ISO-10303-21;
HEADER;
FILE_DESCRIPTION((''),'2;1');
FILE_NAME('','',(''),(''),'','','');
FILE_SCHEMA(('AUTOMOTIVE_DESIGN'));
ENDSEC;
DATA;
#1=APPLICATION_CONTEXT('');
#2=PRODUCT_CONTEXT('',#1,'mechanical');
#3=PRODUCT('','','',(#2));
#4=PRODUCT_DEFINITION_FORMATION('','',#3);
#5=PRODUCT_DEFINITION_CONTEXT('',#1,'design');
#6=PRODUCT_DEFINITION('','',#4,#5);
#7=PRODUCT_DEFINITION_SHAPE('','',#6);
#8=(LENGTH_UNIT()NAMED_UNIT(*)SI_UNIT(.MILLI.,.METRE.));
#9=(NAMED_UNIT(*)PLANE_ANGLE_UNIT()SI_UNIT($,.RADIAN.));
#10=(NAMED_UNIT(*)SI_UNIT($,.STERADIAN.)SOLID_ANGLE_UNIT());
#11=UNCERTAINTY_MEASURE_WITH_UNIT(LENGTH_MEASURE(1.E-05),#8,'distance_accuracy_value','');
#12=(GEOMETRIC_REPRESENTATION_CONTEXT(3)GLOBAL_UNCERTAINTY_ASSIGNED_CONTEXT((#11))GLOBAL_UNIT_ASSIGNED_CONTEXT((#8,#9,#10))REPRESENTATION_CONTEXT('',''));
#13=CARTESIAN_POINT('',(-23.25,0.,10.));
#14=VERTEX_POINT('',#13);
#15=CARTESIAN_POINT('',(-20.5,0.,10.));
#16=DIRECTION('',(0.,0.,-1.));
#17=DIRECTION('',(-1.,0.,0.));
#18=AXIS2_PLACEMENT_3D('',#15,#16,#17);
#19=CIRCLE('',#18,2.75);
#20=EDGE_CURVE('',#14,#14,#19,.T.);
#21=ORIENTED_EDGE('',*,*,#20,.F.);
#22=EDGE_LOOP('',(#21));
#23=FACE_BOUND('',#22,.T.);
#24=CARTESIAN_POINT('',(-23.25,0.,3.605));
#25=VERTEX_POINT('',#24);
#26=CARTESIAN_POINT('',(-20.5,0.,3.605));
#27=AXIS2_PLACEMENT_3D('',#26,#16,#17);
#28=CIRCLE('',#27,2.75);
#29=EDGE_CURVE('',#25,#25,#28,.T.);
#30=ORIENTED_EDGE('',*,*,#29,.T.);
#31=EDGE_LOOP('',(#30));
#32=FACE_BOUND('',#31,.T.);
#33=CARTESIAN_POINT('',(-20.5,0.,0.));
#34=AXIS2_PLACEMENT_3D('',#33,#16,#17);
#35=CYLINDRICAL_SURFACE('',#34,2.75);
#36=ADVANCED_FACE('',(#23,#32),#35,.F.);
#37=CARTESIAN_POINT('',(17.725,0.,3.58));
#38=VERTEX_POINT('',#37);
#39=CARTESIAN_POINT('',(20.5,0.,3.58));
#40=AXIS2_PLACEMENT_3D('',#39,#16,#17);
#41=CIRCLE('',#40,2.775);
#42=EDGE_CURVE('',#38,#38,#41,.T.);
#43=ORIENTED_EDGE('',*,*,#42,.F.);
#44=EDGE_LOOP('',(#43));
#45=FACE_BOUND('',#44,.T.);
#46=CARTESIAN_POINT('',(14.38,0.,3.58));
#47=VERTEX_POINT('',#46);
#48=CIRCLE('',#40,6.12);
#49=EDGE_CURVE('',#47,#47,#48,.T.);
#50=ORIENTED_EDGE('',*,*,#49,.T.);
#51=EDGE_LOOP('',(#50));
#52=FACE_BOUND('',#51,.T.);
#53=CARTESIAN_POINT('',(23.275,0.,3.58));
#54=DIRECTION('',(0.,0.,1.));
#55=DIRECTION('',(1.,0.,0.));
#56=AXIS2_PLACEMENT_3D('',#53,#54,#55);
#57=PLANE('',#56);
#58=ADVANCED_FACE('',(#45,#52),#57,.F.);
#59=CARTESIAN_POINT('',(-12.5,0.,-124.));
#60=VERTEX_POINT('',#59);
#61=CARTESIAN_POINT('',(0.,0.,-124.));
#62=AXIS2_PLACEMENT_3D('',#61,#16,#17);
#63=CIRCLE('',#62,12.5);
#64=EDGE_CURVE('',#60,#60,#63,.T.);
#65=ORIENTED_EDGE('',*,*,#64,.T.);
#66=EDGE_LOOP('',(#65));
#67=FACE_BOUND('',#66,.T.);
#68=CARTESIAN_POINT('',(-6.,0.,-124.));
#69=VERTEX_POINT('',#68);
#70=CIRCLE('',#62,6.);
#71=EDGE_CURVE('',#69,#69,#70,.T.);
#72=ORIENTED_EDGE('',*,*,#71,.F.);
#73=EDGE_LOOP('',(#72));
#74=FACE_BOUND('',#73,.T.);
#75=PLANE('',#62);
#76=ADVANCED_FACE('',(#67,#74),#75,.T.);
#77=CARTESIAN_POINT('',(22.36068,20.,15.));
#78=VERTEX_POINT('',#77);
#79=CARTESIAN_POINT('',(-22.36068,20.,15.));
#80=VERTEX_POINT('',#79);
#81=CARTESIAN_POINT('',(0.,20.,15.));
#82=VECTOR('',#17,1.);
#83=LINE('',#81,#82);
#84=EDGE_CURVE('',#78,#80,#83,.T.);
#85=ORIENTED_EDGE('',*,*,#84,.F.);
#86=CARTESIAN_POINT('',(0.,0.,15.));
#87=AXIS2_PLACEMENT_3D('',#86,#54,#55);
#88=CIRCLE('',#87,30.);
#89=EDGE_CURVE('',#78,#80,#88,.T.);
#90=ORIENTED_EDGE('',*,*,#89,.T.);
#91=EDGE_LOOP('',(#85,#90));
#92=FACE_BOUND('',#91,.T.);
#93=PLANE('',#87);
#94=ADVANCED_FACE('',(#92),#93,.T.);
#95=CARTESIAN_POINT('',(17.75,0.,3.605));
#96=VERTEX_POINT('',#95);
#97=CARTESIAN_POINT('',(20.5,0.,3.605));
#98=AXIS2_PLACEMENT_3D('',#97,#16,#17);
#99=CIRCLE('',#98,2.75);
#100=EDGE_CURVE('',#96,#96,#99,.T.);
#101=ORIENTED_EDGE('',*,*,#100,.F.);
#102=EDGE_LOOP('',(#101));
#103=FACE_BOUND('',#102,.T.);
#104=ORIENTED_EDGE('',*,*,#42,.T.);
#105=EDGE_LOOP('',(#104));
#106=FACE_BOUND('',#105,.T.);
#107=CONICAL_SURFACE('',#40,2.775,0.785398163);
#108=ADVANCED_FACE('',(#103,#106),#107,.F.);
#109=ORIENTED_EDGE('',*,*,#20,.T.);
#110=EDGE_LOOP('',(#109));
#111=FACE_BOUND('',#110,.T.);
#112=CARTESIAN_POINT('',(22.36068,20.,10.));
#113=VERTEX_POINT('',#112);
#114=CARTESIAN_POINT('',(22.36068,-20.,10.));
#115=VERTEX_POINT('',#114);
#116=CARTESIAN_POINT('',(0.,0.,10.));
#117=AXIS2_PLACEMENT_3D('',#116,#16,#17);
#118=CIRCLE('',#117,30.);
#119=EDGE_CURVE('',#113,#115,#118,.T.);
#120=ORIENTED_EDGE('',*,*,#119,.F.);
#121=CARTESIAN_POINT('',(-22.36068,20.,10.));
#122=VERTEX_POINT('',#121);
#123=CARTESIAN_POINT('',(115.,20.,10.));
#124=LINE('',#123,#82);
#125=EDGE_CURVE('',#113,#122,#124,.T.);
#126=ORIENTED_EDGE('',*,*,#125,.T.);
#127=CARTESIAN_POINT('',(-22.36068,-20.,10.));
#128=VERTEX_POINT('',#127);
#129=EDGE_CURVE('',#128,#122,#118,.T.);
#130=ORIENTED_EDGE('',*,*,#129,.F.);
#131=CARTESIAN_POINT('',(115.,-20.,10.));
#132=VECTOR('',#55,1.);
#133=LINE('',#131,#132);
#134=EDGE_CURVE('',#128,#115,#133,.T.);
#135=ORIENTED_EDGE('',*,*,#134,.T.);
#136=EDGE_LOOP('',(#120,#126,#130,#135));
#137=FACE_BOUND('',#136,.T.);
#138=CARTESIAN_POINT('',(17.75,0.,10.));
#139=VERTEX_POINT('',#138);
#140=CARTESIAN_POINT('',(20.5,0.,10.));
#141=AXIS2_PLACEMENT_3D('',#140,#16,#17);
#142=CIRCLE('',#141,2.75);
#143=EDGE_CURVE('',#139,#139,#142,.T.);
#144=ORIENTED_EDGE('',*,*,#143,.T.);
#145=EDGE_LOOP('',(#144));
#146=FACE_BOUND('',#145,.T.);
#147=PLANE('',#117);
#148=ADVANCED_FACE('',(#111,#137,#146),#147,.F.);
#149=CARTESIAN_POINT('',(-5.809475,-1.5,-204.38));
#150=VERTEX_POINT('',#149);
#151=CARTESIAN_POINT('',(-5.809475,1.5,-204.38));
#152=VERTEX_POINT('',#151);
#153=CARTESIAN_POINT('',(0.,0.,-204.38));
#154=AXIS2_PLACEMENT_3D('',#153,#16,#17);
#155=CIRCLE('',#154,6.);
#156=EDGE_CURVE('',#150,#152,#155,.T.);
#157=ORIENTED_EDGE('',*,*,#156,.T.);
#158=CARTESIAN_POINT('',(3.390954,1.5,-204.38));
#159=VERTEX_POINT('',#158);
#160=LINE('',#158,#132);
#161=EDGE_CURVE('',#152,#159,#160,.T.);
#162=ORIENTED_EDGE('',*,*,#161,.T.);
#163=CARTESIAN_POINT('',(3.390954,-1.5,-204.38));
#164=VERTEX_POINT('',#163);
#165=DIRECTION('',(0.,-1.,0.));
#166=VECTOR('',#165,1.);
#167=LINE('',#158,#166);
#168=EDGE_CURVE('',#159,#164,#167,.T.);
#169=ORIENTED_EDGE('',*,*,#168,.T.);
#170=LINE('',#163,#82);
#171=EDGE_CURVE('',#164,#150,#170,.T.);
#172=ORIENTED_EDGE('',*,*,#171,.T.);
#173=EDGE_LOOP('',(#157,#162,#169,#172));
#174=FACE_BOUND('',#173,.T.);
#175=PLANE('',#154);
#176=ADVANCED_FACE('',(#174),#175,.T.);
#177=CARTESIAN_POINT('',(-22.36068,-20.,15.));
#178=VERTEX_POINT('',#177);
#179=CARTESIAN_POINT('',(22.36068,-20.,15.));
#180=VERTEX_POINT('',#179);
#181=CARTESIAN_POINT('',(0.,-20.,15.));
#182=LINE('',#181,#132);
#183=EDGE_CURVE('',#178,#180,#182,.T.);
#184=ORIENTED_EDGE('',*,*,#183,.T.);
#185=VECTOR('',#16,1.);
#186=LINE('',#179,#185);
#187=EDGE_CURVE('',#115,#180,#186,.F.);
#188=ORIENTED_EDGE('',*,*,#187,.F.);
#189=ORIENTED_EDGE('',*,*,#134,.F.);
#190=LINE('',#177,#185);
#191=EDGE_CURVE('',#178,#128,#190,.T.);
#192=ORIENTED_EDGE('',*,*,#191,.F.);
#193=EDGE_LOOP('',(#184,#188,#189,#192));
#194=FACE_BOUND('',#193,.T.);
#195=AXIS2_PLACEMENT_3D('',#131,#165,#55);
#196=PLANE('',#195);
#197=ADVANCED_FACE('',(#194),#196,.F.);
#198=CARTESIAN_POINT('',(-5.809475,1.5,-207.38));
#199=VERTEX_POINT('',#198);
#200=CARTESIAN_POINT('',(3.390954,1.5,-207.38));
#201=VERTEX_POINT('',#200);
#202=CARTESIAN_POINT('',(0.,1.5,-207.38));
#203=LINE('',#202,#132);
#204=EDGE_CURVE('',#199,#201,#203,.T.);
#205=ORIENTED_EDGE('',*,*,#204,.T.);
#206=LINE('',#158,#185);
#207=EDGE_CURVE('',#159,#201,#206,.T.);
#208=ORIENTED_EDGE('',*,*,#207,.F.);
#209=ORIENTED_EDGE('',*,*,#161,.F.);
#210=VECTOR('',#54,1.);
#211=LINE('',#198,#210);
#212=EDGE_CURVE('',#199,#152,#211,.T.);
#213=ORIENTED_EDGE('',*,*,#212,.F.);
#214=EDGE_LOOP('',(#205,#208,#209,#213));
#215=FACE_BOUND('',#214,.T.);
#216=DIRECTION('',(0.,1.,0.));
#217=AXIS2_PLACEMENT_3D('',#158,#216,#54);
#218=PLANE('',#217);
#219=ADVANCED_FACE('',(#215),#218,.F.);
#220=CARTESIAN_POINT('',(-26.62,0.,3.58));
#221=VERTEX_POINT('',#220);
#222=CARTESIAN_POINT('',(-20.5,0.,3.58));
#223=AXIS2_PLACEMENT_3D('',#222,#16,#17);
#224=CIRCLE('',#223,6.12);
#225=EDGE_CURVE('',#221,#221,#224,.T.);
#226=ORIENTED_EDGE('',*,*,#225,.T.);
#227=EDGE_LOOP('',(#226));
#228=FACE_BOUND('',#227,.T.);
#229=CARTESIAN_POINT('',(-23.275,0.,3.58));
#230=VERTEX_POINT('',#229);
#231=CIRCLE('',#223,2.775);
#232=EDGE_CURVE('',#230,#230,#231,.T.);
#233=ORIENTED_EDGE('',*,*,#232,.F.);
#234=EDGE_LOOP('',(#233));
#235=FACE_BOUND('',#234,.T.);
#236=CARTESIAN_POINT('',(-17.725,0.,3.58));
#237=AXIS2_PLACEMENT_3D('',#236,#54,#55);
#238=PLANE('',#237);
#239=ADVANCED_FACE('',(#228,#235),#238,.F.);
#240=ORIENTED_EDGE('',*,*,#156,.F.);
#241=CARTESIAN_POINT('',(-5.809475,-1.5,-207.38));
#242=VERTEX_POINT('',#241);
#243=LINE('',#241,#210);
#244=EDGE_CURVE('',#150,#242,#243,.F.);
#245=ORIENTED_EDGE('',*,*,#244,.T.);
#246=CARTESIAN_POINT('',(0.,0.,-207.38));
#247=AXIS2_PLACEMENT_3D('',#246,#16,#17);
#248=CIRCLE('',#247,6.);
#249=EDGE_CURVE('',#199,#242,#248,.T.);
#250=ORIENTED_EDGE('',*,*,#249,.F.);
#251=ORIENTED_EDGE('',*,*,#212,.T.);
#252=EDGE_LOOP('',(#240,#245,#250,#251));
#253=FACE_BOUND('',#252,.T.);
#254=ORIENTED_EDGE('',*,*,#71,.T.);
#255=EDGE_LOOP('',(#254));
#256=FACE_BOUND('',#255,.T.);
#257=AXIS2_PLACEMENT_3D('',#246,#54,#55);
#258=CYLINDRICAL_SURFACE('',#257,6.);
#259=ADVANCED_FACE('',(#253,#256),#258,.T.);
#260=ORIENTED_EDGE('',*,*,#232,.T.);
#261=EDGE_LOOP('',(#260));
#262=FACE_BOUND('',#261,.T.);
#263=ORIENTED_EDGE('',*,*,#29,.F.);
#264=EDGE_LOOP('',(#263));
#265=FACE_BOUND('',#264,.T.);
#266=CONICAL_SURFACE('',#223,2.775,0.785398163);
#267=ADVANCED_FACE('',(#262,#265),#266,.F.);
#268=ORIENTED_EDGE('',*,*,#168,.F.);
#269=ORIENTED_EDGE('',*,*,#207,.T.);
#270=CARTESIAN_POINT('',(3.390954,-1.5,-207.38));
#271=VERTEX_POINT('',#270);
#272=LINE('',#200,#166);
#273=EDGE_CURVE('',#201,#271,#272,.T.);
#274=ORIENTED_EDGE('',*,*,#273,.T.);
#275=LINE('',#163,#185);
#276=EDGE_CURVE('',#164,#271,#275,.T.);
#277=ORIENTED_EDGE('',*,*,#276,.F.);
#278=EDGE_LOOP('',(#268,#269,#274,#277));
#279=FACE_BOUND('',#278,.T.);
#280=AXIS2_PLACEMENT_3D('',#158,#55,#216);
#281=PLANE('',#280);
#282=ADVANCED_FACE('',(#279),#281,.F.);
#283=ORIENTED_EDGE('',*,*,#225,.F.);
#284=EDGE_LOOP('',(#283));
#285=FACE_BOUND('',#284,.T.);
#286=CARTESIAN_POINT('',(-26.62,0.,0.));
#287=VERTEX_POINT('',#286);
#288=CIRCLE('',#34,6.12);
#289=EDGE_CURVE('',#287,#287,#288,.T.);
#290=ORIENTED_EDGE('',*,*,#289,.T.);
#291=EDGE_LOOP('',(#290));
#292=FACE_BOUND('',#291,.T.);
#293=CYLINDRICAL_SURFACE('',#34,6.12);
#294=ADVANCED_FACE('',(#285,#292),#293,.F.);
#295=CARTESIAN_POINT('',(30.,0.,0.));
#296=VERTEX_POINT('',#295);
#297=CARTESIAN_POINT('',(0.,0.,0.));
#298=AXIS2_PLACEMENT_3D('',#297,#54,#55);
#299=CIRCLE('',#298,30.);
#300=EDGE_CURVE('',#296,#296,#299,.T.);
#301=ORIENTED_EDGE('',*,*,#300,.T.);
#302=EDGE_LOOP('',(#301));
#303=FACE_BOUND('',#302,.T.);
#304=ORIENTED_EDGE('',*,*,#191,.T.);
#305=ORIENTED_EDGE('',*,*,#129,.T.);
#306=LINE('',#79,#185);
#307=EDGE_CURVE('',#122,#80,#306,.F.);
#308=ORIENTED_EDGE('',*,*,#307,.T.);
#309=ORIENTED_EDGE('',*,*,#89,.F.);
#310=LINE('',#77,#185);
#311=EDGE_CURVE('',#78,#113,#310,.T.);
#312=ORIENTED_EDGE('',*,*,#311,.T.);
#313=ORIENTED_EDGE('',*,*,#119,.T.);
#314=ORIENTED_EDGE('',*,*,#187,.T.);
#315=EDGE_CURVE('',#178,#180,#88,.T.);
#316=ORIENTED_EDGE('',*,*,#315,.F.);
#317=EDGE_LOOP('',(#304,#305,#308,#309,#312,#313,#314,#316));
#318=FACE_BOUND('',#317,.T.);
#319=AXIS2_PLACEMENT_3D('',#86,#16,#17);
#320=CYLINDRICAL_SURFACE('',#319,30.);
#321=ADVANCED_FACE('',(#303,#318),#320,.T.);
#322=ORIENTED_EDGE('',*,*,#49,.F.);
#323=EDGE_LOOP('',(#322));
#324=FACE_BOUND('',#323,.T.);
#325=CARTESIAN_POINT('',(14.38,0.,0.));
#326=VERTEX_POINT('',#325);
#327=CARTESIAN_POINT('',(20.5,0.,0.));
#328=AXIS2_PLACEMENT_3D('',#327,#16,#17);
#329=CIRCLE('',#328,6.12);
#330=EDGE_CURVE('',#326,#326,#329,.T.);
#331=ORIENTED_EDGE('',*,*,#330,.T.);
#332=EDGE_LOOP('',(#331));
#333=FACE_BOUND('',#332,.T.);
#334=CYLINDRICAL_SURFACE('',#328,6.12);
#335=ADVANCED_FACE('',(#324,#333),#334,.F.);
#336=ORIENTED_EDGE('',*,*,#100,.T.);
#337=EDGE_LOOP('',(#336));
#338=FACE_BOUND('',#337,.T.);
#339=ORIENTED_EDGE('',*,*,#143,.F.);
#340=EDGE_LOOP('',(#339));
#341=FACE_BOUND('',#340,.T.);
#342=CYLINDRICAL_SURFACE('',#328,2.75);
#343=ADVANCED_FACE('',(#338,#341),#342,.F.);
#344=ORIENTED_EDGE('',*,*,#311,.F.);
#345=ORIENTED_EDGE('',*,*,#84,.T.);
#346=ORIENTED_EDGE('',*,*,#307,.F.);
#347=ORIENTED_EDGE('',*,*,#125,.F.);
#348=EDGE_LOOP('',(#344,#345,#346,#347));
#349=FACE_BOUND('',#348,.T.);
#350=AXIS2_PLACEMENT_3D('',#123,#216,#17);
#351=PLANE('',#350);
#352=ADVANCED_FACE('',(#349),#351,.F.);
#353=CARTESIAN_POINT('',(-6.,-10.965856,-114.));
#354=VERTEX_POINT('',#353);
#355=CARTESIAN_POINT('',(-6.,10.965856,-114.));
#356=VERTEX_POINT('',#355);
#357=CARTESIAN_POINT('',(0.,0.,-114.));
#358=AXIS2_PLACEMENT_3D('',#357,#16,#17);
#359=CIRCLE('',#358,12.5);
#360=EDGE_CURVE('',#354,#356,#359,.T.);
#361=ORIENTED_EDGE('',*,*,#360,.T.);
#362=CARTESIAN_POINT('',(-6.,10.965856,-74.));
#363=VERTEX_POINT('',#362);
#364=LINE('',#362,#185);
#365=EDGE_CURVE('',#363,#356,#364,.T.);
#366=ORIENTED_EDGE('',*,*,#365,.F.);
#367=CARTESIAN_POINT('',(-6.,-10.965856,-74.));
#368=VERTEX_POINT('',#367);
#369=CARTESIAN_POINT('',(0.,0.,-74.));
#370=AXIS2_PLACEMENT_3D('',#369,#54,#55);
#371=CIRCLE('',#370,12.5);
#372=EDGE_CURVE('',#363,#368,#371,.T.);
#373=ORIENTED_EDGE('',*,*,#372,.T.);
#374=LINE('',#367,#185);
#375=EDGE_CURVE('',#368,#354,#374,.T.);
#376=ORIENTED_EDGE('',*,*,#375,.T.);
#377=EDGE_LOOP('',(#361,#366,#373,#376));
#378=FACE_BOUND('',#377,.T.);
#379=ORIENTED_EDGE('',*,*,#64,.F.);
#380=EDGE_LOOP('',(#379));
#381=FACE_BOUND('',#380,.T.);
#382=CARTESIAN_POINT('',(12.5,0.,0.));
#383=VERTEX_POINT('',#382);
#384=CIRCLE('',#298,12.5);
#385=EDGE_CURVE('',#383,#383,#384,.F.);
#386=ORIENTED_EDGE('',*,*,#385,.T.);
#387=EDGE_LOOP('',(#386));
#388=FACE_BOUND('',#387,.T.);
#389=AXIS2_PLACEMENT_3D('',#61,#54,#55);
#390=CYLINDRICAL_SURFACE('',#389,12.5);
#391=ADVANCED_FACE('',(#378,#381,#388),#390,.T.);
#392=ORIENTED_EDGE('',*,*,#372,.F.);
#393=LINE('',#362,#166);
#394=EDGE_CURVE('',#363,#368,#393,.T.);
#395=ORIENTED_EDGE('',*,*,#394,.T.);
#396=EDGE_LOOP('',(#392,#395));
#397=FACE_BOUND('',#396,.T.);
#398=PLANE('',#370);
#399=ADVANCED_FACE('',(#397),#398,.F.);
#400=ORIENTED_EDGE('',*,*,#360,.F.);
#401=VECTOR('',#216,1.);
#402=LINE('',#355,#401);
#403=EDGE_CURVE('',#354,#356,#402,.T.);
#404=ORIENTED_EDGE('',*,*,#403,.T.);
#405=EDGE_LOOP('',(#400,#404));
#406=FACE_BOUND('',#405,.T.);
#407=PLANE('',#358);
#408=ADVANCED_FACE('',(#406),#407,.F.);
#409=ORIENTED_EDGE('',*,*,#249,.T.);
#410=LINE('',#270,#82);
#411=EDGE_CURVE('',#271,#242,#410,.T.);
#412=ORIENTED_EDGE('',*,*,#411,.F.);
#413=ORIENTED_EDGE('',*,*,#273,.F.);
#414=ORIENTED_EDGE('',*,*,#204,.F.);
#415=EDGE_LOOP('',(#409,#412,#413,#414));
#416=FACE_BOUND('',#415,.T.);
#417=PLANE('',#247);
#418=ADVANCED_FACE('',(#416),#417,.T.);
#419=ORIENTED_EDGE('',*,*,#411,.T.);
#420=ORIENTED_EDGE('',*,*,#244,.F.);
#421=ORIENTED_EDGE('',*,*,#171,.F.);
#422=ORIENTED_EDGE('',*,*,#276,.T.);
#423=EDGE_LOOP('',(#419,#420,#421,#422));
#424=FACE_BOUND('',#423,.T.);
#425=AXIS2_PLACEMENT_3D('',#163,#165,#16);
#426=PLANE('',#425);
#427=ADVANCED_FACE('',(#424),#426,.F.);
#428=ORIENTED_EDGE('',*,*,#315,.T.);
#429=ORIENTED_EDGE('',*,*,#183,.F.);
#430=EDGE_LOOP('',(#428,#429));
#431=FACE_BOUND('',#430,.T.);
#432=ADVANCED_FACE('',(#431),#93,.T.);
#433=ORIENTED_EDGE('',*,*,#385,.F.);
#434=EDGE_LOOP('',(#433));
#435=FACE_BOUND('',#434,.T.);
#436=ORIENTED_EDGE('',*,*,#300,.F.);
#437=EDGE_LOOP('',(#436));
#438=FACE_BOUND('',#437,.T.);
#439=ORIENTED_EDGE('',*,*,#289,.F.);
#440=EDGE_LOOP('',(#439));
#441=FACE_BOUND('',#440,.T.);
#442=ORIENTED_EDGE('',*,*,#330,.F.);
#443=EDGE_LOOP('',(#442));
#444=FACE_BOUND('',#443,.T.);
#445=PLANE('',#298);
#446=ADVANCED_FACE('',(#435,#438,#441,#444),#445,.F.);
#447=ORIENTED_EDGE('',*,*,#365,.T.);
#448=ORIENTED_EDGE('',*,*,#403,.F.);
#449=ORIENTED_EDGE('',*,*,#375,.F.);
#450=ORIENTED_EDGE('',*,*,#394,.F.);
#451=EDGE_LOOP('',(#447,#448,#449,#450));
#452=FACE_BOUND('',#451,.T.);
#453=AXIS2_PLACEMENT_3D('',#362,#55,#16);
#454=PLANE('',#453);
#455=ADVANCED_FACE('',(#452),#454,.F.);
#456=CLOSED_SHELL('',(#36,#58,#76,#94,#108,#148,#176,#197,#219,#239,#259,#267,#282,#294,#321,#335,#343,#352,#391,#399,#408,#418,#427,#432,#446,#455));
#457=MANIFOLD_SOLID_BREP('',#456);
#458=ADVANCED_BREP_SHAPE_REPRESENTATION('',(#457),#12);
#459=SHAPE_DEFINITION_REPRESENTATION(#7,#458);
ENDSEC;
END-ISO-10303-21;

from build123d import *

# Parameters (mm, degrees)
ESQUISSE1_R                                = 30
BOSS_EXTRU_1_DEPTH                         = 15
ESQUISSE2_R                                = 12.5
BOSS_EXTRU_2_DEPTH                         = 124
ESQUISSE4_2_W                              = 230
ESQUISSE4_2_H                              = 40
ENL_V_MAT_EXTRU_1_DEPTH                    = 5
CHAMBRAGE_POUR_VIS_T_TE_HEXAGONALE_2_COUNT = 2
CHAMBRAGE_POUR_VIS_T_TE_HEXAGONALE_2_PITCH = 41
ESQUISSE17_R                               = 6
BOSS_EXTRU_4_DEPTH                         = 83.38
ESQUISSE18_W                               = 10.356322474
ESQUISSE18_H                               = 3
ENL_V_MAT_EXTRU_2_DEPTH                    = 3
ESQUISSE19_W                               = 7.933443835
ESQUISSE19_H                               = 21.9317122
ENL_V_MAT_EXTRU_3_DEPTH                    = 50
BOSS_EXTRU_6_START                         = -10
ESQUISSE21_R                               = 12.5
BOSS_EXTRU_6_DEPTH                         = 10


with BuildPart() as part:
    # Esquisse1 → Boss.-Extru.1 (new body)
    with BuildSketch(Plane.XY):
        Circle(ESQUISSE1_R)
    extrude(amount=BOSS_EXTRU_1_DEPTH)

    # Esquisse2 → Boss.-Extru.2 (add)
    with BuildSketch(Plane(origin=(0, 0, 0), x_dir=(-1, 0, 0), z_dir=(0, 0, -1))):
        Circle(ESQUISSE2_R)
    extrude(amount=BOSS_EXTRU_2_DEPTH)

    # Esquisse4<2> → Enlèv. mat.-Extru.1 (cut)
    with BuildSketch(Plane.XY.offset(15)):
        Rectangle(ESQUISSE4_2_W, ESQUISSE4_2_H)
    extrude(amount=-ENL_V_MAT_EXTRU_1_DEPTH, mode=Mode.SUBTRACT)

    # Esquisse14 → Chambrage pour vis à tête hexagonale M51 (revolve, cut)
    with BuildSketch(Plane.YZ.offset(-20.5)):
        Polygon((0, 0), (0, 15), (2.75, 15), (2.75, 3.605), (2.775, 3.58), (6.12, 3.58), (6.12, 0), align=None)
    chambrage_pour_vis_t_te_hexagonale_m51 = revolve(axis=Axis((-20.5, 0, -6.35), (0, 0, 1)), mode=Mode.SUBTRACT)

    # Chambrage pour vis _ t_te hexagonale 2: Chambrage pour vis à tête hexagonale M51 ×2
    with Locations(*[(i * CHAMBRAGE_POUR_VIS_T_TE_HEXAGONALE_2_PITCH, 0, 0) for i in range(1, CHAMBRAGE_POUR_VIS_T_TE_HEXAGONALE_2_COUNT)]):
        add(chambrage_pour_vis_t_te_hexagonale_m51, mode=Mode.SUBTRACT)

    # Esquisse17 → Boss.-Extru.4 (add)
    with BuildSketch(Plane(origin=(0, 0, -124), x_dir=(-1, 0, 0), z_dir=(0, 0, -1))):
        Circle(ESQUISSE17_R)
    extrude(amount=BOSS_EXTRU_4_DEPTH)

    # Esquisse18 → Enlèv. mat.-Extru.2 (cut)
    with BuildSketch(Plane(origin=(0, 0, -207.38), x_dir=(-1, 0, 0), z_dir=(0, 0, -1))):
        with Locations((1.787207702, 0)):
            Rectangle(ESQUISSE18_W, ESQUISSE18_H)
    extrude(amount=-ENL_V_MAT_EXTRU_2_DEPTH, mode=Mode.SUBTRACT)

    # Esquisse19 → Enlèv. mat.-Extru.3 (cut)
    with BuildSketch(Plane(origin=(0, 0, -124), x_dir=(-1, 0, 0), z_dir=(0, 0, -1))):
        with Locations((9.966721917, 0)):
            Rectangle(ESQUISSE19_W, ESQUISSE19_H)
    extrude(amount=-ENL_V_MAT_EXTRU_3_DEPTH, mode=Mode.SUBTRACT)

    # Esquisse21 → Boss.-Extru.6 (add)
    with BuildSketch(Plane(origin=(0, 0, -124), x_dir=(-1, 0, 0), z_dir=(0, 0, -1)).offset(BOSS_EXTRU_6_START)):
        Circle(ESQUISSE21_R)
    extrude(amount=BOSS_EXTRU_6_DEPTH)


solid = part.part
